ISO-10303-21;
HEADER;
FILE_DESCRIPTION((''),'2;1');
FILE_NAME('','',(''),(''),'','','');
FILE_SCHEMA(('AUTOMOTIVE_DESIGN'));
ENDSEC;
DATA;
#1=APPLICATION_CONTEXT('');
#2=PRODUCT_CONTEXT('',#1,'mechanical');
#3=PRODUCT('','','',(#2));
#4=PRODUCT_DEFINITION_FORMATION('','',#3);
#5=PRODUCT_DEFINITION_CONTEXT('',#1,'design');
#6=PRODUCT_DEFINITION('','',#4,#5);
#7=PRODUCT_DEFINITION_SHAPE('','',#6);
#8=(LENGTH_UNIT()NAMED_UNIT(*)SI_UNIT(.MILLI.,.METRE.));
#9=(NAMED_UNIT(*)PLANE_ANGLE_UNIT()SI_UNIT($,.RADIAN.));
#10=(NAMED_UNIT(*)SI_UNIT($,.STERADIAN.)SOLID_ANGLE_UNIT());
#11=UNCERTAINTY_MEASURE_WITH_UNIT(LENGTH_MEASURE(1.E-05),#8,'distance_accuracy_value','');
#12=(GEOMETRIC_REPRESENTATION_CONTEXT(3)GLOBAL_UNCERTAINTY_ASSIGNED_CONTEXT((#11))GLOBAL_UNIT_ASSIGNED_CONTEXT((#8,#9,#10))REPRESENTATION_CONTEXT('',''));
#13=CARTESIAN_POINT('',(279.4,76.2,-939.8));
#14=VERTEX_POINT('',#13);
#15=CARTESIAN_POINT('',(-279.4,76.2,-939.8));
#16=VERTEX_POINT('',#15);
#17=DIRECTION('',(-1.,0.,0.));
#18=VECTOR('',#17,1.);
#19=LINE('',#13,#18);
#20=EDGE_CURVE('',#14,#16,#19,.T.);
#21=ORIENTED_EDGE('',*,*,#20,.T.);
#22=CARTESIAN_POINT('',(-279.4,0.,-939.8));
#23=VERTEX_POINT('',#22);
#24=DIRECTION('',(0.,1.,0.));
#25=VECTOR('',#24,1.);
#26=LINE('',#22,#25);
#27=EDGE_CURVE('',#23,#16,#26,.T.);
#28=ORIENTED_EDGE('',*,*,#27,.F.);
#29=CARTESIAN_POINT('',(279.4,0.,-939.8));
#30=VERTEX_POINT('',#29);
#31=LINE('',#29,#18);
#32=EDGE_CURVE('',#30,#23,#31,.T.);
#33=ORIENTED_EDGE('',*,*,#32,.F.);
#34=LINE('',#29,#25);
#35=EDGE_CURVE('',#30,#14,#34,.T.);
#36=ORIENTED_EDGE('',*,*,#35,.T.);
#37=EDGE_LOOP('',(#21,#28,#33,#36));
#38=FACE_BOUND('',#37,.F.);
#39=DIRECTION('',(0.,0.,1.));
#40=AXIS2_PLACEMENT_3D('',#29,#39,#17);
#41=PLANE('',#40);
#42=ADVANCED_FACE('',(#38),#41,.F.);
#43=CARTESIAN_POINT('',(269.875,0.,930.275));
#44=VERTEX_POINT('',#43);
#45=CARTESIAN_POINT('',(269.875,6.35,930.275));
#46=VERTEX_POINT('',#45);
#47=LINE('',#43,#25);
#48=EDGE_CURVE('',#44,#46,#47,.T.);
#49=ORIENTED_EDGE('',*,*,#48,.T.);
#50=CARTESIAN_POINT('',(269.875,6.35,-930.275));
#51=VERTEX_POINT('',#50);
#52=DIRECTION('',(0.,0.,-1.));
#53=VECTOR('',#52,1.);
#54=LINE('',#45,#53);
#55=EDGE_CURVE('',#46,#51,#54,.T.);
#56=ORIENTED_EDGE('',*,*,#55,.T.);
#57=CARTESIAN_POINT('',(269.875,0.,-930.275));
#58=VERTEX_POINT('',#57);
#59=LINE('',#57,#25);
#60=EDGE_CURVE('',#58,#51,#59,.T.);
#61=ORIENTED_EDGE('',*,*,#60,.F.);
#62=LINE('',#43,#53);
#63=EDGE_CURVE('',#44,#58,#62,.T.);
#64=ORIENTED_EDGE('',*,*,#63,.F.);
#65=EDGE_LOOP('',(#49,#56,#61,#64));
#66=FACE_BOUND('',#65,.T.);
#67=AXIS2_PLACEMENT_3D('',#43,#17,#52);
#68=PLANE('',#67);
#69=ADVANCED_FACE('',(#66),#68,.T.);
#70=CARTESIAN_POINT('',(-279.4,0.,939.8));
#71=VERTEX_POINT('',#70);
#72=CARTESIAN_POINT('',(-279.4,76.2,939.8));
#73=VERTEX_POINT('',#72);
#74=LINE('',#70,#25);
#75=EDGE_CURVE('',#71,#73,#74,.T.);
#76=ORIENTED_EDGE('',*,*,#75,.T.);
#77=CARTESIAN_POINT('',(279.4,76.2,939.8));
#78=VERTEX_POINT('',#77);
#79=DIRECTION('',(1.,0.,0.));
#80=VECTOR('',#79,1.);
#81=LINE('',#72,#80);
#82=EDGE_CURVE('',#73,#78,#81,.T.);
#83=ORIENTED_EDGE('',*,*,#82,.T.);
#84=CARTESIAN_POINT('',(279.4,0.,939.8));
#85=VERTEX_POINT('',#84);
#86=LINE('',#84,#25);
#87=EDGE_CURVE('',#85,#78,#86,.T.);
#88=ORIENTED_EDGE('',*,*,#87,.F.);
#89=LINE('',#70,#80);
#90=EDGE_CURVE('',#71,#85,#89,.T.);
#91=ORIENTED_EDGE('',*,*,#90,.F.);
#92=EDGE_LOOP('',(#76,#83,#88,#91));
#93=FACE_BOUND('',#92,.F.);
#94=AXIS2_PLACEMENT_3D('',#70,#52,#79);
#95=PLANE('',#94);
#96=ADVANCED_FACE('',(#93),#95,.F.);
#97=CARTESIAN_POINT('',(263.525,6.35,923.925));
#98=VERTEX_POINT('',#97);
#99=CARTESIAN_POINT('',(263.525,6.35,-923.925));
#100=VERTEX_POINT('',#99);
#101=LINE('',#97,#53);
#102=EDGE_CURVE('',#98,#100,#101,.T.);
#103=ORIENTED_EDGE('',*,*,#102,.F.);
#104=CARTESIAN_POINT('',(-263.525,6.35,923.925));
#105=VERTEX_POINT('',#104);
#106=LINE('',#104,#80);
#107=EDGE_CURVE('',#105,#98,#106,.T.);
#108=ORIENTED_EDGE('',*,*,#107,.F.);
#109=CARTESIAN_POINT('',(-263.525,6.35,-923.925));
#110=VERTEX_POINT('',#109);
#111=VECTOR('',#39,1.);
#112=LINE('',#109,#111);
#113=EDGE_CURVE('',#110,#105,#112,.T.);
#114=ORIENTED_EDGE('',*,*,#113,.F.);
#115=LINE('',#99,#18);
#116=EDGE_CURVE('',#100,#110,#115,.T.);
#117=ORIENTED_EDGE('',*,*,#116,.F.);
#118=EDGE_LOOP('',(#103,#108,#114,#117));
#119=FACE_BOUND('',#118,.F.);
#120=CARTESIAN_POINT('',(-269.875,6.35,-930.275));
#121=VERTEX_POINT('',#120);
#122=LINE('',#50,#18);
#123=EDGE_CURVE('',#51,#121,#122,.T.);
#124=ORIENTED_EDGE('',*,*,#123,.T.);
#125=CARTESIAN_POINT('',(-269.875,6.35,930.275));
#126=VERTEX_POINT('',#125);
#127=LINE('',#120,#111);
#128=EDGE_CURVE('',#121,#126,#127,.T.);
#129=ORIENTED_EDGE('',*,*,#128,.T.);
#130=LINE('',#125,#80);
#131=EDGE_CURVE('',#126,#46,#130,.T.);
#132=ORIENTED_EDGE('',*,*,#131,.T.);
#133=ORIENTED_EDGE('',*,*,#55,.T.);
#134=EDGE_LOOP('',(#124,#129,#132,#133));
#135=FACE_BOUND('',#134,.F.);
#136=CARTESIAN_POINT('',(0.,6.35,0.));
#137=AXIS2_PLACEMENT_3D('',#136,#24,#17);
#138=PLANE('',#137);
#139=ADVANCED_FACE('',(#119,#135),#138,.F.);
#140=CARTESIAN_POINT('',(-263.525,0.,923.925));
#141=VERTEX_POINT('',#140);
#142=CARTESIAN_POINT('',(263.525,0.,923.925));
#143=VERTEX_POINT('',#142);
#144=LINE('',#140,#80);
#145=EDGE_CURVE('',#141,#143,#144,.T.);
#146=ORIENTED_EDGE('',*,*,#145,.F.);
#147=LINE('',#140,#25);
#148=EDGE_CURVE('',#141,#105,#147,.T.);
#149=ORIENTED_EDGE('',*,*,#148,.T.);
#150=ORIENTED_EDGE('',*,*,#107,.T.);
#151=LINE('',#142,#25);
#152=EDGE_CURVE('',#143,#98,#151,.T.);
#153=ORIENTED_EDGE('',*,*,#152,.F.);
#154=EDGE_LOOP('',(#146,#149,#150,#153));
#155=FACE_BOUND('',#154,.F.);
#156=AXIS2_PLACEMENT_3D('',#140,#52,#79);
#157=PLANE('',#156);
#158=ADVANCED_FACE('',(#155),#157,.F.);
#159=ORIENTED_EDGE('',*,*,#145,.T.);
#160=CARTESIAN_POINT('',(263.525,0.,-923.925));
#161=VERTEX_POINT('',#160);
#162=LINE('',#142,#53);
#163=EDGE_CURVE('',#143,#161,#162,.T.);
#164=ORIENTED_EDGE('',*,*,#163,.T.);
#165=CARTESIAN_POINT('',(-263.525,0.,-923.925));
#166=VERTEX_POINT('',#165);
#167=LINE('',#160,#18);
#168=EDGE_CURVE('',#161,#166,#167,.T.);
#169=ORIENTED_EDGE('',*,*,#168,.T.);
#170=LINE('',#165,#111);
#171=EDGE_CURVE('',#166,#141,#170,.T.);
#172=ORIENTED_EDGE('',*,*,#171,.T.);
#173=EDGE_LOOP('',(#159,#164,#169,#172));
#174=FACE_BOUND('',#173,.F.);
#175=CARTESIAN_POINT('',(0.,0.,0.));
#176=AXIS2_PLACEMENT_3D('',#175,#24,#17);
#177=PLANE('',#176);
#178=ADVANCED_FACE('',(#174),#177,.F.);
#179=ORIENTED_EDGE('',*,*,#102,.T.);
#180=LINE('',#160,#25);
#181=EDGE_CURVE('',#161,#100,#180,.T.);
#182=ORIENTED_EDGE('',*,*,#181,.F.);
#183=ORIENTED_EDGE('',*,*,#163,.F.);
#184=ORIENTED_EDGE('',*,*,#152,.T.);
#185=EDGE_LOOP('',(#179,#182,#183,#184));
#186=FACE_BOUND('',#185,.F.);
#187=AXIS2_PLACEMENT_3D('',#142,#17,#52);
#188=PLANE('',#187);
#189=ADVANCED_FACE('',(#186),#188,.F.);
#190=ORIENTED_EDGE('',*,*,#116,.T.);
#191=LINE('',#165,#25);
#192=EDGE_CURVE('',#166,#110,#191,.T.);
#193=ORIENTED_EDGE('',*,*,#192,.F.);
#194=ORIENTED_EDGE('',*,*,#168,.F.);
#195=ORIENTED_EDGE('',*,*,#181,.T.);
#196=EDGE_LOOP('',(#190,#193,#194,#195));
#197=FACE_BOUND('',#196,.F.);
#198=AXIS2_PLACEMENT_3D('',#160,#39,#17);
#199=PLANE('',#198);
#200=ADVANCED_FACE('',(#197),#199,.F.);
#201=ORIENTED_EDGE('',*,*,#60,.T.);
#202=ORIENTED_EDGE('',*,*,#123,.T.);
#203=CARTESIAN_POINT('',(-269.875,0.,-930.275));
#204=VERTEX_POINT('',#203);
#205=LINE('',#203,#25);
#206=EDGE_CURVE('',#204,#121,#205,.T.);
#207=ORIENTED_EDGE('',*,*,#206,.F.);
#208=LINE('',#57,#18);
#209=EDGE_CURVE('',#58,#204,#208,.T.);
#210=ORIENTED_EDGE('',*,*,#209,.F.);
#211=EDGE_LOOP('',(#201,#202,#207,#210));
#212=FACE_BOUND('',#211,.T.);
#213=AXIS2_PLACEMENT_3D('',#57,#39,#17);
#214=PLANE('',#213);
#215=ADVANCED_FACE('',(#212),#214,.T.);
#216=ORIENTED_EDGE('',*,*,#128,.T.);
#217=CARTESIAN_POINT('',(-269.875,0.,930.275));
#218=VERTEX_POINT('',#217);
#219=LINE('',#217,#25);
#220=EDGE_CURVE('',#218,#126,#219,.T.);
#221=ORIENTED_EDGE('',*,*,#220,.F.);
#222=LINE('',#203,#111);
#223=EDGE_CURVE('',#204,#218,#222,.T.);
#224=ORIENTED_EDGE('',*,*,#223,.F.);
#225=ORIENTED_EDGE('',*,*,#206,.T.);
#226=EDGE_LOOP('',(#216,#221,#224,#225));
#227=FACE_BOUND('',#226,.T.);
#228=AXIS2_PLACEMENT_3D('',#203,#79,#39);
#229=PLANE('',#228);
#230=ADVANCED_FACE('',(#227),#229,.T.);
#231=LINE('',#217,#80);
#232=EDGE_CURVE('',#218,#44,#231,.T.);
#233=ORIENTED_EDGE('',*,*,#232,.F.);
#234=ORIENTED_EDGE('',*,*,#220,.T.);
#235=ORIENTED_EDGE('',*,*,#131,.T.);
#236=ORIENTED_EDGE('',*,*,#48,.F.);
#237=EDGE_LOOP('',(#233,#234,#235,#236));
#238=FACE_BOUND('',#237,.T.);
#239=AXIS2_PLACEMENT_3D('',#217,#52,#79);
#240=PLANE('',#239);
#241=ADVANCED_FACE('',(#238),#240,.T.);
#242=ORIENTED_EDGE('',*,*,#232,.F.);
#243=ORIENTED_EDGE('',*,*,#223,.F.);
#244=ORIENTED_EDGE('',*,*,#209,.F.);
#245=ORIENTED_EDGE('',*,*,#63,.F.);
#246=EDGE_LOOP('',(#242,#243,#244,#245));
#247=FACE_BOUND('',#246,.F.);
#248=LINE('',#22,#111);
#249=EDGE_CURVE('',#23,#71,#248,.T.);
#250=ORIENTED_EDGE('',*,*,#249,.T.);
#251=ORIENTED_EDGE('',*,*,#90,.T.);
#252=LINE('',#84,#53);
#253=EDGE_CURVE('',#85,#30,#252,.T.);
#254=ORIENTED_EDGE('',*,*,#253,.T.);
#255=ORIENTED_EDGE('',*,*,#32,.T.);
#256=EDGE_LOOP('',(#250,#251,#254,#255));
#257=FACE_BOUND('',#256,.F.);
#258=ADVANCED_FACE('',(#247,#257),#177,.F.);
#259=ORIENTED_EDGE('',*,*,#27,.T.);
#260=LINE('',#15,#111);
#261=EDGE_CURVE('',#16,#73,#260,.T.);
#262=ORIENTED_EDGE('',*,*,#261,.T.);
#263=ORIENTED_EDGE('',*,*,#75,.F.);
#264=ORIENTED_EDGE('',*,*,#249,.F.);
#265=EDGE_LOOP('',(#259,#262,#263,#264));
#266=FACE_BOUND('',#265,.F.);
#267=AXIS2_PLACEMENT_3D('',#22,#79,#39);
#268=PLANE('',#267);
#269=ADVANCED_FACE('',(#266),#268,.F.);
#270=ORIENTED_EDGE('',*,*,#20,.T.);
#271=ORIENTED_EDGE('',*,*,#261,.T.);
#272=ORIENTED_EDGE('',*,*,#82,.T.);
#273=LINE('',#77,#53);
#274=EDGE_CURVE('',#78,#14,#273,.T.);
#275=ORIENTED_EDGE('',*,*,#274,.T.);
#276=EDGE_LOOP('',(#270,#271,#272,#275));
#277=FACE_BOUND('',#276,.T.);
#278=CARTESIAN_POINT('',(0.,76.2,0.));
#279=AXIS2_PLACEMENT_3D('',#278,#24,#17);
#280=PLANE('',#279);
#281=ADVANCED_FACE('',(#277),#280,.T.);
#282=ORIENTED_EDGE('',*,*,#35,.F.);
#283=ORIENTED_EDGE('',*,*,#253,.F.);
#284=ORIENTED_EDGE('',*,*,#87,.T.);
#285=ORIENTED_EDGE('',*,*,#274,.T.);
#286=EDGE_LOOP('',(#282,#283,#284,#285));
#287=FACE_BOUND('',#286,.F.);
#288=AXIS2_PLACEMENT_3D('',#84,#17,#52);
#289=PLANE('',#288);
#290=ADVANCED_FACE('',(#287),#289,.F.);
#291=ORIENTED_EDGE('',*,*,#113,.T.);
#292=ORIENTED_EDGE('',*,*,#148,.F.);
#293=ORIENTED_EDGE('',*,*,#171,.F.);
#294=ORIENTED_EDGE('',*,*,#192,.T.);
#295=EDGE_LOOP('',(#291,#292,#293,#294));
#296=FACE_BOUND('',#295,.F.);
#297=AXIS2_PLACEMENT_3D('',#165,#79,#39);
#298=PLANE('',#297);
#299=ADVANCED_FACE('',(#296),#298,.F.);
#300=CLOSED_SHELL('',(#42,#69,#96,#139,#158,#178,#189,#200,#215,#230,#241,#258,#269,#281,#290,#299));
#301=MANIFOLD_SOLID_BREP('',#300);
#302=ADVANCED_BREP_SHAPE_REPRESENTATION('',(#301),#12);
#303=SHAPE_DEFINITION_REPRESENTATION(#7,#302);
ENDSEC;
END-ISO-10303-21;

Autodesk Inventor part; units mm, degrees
ref_plane "YZ Plane" through (0, 0, 0) normal (1, 0, 0) x (0, 1, 0)
ref_plane "XZ Plane" through (0, 0, 0) normal (0, 1, 0) x (-1, 0, 0)
ref_plane "XY Plane" through (0, 0, 0) normal (0, 0, 1) x (1, 0, 0)
sketch "Sketch1" plane through (0, 0, 0) normal (0, 1, 0) x (-1, 0, 0)
  line L0 (279.4, 939.8) -> (-279.4, 939.8)
  line L1 (-279.4, 939.8) -> (-279.4, -939.8)
  line L2 (-279.4, -939.8) -> (279.4, -939.8)
  line L3 (279.4, -939.8) -> (279.4, 939.8)
  line L4 (279.4, 939.8) -> (-279.4, -939.8) construction
  line L5 (-279.4, 939.8) -> (279.4, -939.8) construction
  line L6 (269.875, 930.275) -> (-269.875, 930.275)
  line L7 (-269.875, 930.275) -> (-269.875, -930.275)
  line L8 (-269.875, -930.275) -> (269.875, -930.275)
  line L9 (269.875, -930.275) -> (269.875, 930.275)
  line L10 (263.525, 923.925) -> (-263.525, 923.925)
  line L11 (-263.525, 923.925) -> (-263.525, -923.925)
  line L12 (-263.525, -923.925) -> (263.525, -923.925)
  line L13 (263.525, -923.925) -> (263.525, 923.925)
  point P0 (0, 0)
  dimension "d2" = 558.8
  dimension "d3" = 1879.6
  dimension "d4" = 9.525
  dimension "d5" = 6.35
extrude "Extrusion1" add sketch "Sketch1" along normal blind 76.2 contours L3 L2 L1 L0 | L9 L8 L7 L6 | L13 L12 L11 L10
extrude "Extrusion3" cut sketch "Sketch1" along normal blind 6.35 contours L9 L8 L7 L6
properties part number "B - Cap - 1" material "Granite, Cut, Polished"
